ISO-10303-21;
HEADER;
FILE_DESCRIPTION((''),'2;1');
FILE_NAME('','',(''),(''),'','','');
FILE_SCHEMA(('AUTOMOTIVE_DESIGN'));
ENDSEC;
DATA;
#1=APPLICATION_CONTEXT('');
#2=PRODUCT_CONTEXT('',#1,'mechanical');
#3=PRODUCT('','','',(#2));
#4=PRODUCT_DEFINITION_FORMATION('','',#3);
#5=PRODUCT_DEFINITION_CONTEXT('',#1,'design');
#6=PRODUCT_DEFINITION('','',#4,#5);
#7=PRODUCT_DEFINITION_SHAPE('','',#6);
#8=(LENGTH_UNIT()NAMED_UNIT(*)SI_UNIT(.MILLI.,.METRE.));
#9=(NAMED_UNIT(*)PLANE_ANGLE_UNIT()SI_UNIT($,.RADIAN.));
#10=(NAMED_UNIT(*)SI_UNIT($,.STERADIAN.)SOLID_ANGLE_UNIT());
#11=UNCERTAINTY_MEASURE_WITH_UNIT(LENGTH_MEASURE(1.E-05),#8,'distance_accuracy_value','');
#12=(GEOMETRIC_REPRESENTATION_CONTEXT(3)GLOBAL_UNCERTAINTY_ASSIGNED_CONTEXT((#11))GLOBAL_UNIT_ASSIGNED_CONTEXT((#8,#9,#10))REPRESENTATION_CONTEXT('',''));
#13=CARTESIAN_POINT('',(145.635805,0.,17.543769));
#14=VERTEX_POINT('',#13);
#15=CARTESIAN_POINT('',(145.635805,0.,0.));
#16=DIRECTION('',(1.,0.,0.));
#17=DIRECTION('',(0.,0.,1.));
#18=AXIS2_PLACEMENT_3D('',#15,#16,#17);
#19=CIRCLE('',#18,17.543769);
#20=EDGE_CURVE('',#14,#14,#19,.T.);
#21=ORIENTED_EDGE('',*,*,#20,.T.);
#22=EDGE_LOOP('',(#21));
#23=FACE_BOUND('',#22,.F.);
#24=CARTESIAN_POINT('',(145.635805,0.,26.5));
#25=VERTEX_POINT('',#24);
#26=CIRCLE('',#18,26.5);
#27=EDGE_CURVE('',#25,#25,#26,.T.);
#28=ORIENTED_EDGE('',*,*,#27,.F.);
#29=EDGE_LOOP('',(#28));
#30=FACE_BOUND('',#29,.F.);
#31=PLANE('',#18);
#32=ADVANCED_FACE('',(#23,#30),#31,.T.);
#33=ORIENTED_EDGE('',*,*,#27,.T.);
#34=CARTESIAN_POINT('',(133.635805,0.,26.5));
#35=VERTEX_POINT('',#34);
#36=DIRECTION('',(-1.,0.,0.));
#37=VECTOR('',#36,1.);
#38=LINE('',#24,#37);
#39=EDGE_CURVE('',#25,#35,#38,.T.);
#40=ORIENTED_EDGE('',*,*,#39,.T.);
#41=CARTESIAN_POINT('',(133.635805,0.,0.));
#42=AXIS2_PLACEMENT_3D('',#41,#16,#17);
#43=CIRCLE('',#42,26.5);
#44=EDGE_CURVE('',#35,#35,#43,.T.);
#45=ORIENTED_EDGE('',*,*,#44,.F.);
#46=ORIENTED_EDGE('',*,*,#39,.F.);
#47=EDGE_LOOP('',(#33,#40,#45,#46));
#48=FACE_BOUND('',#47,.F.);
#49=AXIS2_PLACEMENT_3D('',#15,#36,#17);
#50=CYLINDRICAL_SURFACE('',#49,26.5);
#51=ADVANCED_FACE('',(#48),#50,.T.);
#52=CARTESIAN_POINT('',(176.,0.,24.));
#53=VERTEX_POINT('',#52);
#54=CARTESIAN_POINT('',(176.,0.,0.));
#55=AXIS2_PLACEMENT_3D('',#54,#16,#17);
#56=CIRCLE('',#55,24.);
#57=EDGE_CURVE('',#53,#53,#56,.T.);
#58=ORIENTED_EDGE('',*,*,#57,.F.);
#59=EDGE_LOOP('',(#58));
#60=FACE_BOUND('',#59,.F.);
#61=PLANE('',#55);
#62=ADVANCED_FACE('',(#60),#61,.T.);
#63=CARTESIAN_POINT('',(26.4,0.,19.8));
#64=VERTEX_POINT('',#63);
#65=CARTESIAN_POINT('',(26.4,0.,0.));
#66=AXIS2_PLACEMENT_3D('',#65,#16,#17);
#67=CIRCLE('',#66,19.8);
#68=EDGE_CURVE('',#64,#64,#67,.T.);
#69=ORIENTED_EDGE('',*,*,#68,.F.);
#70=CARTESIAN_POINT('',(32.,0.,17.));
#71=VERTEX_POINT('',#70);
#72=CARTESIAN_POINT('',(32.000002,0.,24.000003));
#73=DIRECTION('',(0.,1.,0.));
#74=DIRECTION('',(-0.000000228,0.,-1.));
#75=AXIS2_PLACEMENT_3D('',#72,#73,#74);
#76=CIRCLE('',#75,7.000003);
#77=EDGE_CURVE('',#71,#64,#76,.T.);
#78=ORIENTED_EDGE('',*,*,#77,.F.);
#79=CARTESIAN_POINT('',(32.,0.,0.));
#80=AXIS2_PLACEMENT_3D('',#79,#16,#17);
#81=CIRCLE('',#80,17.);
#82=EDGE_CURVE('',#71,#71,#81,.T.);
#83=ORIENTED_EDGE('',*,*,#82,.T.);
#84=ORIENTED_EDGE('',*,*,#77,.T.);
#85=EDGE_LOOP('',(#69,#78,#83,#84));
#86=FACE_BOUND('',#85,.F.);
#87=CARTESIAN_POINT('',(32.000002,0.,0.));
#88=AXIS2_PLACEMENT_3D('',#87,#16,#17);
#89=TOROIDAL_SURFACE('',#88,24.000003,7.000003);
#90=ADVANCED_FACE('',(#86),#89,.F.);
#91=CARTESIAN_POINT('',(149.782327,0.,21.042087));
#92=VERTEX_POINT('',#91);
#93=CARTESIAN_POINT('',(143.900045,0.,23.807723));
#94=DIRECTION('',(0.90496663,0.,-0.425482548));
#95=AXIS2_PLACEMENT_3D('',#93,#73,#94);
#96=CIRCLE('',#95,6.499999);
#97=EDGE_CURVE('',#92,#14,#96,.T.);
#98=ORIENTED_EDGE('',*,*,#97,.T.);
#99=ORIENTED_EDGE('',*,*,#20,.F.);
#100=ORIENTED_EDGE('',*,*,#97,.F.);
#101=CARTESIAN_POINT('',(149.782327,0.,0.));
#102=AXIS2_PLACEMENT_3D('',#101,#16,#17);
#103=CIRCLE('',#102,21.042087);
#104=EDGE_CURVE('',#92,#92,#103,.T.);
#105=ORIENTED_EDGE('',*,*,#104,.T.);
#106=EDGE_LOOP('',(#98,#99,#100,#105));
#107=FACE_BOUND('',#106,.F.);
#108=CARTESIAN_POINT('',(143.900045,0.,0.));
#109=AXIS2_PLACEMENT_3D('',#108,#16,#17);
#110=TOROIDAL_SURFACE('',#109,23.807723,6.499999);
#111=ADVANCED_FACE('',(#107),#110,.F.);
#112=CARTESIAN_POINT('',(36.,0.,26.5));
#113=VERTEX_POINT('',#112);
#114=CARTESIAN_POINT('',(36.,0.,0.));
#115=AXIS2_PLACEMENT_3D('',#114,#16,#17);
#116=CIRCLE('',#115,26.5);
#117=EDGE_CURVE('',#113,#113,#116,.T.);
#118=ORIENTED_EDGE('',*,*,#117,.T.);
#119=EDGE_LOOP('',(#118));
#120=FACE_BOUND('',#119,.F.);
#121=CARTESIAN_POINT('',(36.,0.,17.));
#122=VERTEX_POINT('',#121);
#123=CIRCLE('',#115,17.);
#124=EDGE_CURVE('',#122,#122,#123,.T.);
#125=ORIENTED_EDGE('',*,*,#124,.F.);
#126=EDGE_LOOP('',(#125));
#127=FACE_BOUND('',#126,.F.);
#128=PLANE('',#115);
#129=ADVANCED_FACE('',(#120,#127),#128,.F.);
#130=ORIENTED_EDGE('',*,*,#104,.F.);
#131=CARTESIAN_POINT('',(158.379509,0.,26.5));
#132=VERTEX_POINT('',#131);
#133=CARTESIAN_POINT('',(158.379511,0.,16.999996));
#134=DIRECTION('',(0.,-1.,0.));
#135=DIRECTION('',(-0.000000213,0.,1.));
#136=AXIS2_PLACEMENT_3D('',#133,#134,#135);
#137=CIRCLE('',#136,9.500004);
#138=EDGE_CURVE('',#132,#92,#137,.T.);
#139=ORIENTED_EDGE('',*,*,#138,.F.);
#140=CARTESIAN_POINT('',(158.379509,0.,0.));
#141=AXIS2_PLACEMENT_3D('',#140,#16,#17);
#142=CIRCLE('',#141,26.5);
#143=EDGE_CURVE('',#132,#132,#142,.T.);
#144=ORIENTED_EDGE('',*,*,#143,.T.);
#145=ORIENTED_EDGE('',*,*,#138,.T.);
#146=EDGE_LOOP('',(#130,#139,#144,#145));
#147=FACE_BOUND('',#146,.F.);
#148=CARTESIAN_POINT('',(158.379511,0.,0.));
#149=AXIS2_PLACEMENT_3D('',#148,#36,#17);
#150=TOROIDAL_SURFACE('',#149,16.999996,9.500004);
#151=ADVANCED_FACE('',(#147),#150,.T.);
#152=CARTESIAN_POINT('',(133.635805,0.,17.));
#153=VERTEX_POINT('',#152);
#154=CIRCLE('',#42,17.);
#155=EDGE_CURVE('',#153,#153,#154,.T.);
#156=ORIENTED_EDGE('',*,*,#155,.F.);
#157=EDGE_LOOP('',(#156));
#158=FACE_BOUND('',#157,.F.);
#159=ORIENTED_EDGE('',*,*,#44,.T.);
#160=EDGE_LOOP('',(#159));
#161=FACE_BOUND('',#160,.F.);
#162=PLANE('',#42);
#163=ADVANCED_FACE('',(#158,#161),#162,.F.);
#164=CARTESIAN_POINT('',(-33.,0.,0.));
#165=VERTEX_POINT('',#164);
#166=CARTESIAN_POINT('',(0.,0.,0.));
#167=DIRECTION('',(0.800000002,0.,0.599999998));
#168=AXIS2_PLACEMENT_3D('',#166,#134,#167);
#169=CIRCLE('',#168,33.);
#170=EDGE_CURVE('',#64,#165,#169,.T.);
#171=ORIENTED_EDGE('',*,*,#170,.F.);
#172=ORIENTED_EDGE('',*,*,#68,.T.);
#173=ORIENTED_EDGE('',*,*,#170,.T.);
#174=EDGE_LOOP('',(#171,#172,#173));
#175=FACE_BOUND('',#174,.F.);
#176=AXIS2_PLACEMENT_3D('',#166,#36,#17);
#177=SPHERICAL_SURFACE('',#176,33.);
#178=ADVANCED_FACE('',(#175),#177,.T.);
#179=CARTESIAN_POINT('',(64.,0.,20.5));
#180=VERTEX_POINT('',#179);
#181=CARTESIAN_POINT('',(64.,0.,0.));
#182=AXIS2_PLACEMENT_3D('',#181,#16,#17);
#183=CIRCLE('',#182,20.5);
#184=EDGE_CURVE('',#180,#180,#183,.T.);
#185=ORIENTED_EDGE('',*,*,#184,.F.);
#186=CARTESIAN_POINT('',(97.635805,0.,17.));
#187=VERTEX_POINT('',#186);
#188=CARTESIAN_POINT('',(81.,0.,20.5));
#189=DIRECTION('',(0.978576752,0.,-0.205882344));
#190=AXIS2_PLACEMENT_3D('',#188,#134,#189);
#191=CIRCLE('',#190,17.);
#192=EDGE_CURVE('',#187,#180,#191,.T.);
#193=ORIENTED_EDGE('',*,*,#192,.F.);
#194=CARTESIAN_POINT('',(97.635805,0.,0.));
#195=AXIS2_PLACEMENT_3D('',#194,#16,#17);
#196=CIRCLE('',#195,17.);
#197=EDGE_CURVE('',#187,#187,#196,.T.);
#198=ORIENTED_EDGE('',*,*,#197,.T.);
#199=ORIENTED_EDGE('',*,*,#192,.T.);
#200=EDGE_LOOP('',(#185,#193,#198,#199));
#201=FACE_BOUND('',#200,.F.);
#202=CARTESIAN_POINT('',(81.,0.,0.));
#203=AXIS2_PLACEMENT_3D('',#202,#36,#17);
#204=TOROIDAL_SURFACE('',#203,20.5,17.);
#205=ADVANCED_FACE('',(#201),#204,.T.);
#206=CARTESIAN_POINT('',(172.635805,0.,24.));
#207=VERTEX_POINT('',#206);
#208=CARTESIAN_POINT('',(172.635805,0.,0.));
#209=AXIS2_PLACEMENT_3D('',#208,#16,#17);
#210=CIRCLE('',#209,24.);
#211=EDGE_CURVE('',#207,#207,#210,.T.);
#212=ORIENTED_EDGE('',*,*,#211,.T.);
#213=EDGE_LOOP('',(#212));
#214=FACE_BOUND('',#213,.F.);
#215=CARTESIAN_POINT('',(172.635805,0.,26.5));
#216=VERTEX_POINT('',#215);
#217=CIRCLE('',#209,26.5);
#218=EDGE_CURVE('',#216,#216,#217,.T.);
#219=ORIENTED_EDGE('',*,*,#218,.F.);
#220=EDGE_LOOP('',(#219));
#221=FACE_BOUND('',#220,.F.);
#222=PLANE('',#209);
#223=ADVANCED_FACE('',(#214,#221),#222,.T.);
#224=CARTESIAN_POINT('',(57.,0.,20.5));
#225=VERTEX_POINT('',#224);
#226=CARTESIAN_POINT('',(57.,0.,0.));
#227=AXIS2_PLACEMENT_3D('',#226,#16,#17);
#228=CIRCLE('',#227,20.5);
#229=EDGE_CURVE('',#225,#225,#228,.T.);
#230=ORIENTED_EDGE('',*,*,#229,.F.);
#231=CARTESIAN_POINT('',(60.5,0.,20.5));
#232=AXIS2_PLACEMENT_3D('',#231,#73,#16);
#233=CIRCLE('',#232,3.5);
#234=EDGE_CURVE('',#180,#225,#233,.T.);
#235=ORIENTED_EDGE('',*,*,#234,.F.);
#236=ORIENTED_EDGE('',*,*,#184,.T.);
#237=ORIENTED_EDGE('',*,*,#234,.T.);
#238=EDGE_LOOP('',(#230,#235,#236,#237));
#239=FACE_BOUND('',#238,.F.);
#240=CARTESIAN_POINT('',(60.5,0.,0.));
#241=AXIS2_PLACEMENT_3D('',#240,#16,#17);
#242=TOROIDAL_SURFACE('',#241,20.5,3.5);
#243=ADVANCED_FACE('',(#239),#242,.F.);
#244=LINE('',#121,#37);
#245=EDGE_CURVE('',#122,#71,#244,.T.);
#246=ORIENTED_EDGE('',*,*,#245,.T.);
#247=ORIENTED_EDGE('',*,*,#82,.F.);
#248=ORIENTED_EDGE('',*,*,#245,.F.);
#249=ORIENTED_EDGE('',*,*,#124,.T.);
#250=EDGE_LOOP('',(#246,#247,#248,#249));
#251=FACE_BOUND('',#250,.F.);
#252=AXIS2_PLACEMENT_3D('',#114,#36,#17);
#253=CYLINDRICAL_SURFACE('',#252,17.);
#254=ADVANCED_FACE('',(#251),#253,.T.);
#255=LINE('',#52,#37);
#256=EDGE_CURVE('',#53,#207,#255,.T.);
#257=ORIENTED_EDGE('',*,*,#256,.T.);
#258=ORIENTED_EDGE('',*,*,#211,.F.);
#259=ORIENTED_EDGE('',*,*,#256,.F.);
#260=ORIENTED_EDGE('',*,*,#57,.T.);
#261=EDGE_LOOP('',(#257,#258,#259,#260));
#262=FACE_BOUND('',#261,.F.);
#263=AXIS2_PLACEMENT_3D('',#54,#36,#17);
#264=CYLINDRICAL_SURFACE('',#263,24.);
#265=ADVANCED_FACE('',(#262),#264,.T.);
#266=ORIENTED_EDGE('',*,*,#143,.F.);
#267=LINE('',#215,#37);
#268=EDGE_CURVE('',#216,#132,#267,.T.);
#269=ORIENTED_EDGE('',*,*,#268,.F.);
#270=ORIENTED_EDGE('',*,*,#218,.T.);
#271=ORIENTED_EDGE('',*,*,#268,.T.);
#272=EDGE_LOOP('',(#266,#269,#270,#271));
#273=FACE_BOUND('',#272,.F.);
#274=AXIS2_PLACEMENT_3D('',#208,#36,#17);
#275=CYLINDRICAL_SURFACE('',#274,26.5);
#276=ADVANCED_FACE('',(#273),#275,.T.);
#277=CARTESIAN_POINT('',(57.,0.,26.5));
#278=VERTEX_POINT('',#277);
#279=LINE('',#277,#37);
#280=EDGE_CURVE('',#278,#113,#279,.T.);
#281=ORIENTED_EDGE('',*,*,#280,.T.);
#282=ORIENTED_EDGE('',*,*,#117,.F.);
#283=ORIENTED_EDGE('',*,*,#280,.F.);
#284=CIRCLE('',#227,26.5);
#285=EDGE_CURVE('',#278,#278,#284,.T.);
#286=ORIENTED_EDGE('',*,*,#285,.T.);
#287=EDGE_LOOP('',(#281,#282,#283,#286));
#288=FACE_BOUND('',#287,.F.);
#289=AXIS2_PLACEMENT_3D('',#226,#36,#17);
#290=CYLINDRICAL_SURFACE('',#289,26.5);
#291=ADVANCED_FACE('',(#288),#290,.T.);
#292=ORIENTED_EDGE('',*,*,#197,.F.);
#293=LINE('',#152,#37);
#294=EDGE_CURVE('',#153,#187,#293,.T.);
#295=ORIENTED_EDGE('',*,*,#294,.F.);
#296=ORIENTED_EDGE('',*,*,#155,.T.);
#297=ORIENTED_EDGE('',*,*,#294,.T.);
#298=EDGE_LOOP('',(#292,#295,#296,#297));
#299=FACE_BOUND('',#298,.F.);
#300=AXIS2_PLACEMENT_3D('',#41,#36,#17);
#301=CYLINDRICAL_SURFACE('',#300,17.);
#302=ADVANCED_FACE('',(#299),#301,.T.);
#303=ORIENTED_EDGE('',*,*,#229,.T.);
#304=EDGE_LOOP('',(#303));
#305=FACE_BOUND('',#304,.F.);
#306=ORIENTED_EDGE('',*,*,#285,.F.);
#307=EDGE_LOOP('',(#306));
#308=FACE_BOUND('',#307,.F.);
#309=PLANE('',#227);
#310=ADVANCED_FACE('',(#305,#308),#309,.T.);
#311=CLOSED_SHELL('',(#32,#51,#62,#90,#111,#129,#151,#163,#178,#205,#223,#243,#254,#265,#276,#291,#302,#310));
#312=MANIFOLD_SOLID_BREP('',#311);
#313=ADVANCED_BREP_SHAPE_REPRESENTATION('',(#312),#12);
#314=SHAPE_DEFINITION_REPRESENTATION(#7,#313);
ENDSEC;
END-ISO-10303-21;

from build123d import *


with BuildPart() as f1:
    # F0 (on Front) → F1 (revolve)
    with BuildSketch(Plane.XZ):
        with BuildLine():
            Line((-33, 0), (0, 0))
            Line((0, 0), (176, 0))
            Line((176, 0), (176, 24))
            Line((176, 24), (172.635805, 24))
            Line((172.635805, 24), (172.635805, 26.5))
            Line((172.635805, 26.5), (158.379509, 26.5))
            ThreePointArc((158.379509, 26.5), (153.287841, 25.020281), (149.782327, 21.042087))
            ThreePointArc((149.782327, 21.042087), (148.091488, 18.839646), (145.635805, 17.543769))
            Line((145.635805, 17.543769), (145.635805, 26.5))
            Line((145.635805, 26.5), (133.635805, 26.5))
            Line((133.635805, 26.5), (133.635805, 17))
            Line((133.635805, 17), (97.635805, 17))
            ThreePointArc((97.635805, 17), (82.759449, 37.408706), (64, 20.5))
            ThreePointArc((64, 20.5), (60.5, 17), (57, 20.5))
            Line((57, 20.5), (57, 26.5))
            Line((57, 26.5), (36, 26.5))
            Line((36, 26.5), (36, 17))
            Line((36, 17), (32, 17))
            ThreePointArc((32, 17), (28.869505, 17.73901), (26.4, 19.8))
            ThreePointArc((26.4, 19.8), (-10.435516, 31.306549), (-33, 0))
        make_face()
    revolve(axis=Axis((88, 0, 0), (1, 0, 0)))


solid = f1.part
